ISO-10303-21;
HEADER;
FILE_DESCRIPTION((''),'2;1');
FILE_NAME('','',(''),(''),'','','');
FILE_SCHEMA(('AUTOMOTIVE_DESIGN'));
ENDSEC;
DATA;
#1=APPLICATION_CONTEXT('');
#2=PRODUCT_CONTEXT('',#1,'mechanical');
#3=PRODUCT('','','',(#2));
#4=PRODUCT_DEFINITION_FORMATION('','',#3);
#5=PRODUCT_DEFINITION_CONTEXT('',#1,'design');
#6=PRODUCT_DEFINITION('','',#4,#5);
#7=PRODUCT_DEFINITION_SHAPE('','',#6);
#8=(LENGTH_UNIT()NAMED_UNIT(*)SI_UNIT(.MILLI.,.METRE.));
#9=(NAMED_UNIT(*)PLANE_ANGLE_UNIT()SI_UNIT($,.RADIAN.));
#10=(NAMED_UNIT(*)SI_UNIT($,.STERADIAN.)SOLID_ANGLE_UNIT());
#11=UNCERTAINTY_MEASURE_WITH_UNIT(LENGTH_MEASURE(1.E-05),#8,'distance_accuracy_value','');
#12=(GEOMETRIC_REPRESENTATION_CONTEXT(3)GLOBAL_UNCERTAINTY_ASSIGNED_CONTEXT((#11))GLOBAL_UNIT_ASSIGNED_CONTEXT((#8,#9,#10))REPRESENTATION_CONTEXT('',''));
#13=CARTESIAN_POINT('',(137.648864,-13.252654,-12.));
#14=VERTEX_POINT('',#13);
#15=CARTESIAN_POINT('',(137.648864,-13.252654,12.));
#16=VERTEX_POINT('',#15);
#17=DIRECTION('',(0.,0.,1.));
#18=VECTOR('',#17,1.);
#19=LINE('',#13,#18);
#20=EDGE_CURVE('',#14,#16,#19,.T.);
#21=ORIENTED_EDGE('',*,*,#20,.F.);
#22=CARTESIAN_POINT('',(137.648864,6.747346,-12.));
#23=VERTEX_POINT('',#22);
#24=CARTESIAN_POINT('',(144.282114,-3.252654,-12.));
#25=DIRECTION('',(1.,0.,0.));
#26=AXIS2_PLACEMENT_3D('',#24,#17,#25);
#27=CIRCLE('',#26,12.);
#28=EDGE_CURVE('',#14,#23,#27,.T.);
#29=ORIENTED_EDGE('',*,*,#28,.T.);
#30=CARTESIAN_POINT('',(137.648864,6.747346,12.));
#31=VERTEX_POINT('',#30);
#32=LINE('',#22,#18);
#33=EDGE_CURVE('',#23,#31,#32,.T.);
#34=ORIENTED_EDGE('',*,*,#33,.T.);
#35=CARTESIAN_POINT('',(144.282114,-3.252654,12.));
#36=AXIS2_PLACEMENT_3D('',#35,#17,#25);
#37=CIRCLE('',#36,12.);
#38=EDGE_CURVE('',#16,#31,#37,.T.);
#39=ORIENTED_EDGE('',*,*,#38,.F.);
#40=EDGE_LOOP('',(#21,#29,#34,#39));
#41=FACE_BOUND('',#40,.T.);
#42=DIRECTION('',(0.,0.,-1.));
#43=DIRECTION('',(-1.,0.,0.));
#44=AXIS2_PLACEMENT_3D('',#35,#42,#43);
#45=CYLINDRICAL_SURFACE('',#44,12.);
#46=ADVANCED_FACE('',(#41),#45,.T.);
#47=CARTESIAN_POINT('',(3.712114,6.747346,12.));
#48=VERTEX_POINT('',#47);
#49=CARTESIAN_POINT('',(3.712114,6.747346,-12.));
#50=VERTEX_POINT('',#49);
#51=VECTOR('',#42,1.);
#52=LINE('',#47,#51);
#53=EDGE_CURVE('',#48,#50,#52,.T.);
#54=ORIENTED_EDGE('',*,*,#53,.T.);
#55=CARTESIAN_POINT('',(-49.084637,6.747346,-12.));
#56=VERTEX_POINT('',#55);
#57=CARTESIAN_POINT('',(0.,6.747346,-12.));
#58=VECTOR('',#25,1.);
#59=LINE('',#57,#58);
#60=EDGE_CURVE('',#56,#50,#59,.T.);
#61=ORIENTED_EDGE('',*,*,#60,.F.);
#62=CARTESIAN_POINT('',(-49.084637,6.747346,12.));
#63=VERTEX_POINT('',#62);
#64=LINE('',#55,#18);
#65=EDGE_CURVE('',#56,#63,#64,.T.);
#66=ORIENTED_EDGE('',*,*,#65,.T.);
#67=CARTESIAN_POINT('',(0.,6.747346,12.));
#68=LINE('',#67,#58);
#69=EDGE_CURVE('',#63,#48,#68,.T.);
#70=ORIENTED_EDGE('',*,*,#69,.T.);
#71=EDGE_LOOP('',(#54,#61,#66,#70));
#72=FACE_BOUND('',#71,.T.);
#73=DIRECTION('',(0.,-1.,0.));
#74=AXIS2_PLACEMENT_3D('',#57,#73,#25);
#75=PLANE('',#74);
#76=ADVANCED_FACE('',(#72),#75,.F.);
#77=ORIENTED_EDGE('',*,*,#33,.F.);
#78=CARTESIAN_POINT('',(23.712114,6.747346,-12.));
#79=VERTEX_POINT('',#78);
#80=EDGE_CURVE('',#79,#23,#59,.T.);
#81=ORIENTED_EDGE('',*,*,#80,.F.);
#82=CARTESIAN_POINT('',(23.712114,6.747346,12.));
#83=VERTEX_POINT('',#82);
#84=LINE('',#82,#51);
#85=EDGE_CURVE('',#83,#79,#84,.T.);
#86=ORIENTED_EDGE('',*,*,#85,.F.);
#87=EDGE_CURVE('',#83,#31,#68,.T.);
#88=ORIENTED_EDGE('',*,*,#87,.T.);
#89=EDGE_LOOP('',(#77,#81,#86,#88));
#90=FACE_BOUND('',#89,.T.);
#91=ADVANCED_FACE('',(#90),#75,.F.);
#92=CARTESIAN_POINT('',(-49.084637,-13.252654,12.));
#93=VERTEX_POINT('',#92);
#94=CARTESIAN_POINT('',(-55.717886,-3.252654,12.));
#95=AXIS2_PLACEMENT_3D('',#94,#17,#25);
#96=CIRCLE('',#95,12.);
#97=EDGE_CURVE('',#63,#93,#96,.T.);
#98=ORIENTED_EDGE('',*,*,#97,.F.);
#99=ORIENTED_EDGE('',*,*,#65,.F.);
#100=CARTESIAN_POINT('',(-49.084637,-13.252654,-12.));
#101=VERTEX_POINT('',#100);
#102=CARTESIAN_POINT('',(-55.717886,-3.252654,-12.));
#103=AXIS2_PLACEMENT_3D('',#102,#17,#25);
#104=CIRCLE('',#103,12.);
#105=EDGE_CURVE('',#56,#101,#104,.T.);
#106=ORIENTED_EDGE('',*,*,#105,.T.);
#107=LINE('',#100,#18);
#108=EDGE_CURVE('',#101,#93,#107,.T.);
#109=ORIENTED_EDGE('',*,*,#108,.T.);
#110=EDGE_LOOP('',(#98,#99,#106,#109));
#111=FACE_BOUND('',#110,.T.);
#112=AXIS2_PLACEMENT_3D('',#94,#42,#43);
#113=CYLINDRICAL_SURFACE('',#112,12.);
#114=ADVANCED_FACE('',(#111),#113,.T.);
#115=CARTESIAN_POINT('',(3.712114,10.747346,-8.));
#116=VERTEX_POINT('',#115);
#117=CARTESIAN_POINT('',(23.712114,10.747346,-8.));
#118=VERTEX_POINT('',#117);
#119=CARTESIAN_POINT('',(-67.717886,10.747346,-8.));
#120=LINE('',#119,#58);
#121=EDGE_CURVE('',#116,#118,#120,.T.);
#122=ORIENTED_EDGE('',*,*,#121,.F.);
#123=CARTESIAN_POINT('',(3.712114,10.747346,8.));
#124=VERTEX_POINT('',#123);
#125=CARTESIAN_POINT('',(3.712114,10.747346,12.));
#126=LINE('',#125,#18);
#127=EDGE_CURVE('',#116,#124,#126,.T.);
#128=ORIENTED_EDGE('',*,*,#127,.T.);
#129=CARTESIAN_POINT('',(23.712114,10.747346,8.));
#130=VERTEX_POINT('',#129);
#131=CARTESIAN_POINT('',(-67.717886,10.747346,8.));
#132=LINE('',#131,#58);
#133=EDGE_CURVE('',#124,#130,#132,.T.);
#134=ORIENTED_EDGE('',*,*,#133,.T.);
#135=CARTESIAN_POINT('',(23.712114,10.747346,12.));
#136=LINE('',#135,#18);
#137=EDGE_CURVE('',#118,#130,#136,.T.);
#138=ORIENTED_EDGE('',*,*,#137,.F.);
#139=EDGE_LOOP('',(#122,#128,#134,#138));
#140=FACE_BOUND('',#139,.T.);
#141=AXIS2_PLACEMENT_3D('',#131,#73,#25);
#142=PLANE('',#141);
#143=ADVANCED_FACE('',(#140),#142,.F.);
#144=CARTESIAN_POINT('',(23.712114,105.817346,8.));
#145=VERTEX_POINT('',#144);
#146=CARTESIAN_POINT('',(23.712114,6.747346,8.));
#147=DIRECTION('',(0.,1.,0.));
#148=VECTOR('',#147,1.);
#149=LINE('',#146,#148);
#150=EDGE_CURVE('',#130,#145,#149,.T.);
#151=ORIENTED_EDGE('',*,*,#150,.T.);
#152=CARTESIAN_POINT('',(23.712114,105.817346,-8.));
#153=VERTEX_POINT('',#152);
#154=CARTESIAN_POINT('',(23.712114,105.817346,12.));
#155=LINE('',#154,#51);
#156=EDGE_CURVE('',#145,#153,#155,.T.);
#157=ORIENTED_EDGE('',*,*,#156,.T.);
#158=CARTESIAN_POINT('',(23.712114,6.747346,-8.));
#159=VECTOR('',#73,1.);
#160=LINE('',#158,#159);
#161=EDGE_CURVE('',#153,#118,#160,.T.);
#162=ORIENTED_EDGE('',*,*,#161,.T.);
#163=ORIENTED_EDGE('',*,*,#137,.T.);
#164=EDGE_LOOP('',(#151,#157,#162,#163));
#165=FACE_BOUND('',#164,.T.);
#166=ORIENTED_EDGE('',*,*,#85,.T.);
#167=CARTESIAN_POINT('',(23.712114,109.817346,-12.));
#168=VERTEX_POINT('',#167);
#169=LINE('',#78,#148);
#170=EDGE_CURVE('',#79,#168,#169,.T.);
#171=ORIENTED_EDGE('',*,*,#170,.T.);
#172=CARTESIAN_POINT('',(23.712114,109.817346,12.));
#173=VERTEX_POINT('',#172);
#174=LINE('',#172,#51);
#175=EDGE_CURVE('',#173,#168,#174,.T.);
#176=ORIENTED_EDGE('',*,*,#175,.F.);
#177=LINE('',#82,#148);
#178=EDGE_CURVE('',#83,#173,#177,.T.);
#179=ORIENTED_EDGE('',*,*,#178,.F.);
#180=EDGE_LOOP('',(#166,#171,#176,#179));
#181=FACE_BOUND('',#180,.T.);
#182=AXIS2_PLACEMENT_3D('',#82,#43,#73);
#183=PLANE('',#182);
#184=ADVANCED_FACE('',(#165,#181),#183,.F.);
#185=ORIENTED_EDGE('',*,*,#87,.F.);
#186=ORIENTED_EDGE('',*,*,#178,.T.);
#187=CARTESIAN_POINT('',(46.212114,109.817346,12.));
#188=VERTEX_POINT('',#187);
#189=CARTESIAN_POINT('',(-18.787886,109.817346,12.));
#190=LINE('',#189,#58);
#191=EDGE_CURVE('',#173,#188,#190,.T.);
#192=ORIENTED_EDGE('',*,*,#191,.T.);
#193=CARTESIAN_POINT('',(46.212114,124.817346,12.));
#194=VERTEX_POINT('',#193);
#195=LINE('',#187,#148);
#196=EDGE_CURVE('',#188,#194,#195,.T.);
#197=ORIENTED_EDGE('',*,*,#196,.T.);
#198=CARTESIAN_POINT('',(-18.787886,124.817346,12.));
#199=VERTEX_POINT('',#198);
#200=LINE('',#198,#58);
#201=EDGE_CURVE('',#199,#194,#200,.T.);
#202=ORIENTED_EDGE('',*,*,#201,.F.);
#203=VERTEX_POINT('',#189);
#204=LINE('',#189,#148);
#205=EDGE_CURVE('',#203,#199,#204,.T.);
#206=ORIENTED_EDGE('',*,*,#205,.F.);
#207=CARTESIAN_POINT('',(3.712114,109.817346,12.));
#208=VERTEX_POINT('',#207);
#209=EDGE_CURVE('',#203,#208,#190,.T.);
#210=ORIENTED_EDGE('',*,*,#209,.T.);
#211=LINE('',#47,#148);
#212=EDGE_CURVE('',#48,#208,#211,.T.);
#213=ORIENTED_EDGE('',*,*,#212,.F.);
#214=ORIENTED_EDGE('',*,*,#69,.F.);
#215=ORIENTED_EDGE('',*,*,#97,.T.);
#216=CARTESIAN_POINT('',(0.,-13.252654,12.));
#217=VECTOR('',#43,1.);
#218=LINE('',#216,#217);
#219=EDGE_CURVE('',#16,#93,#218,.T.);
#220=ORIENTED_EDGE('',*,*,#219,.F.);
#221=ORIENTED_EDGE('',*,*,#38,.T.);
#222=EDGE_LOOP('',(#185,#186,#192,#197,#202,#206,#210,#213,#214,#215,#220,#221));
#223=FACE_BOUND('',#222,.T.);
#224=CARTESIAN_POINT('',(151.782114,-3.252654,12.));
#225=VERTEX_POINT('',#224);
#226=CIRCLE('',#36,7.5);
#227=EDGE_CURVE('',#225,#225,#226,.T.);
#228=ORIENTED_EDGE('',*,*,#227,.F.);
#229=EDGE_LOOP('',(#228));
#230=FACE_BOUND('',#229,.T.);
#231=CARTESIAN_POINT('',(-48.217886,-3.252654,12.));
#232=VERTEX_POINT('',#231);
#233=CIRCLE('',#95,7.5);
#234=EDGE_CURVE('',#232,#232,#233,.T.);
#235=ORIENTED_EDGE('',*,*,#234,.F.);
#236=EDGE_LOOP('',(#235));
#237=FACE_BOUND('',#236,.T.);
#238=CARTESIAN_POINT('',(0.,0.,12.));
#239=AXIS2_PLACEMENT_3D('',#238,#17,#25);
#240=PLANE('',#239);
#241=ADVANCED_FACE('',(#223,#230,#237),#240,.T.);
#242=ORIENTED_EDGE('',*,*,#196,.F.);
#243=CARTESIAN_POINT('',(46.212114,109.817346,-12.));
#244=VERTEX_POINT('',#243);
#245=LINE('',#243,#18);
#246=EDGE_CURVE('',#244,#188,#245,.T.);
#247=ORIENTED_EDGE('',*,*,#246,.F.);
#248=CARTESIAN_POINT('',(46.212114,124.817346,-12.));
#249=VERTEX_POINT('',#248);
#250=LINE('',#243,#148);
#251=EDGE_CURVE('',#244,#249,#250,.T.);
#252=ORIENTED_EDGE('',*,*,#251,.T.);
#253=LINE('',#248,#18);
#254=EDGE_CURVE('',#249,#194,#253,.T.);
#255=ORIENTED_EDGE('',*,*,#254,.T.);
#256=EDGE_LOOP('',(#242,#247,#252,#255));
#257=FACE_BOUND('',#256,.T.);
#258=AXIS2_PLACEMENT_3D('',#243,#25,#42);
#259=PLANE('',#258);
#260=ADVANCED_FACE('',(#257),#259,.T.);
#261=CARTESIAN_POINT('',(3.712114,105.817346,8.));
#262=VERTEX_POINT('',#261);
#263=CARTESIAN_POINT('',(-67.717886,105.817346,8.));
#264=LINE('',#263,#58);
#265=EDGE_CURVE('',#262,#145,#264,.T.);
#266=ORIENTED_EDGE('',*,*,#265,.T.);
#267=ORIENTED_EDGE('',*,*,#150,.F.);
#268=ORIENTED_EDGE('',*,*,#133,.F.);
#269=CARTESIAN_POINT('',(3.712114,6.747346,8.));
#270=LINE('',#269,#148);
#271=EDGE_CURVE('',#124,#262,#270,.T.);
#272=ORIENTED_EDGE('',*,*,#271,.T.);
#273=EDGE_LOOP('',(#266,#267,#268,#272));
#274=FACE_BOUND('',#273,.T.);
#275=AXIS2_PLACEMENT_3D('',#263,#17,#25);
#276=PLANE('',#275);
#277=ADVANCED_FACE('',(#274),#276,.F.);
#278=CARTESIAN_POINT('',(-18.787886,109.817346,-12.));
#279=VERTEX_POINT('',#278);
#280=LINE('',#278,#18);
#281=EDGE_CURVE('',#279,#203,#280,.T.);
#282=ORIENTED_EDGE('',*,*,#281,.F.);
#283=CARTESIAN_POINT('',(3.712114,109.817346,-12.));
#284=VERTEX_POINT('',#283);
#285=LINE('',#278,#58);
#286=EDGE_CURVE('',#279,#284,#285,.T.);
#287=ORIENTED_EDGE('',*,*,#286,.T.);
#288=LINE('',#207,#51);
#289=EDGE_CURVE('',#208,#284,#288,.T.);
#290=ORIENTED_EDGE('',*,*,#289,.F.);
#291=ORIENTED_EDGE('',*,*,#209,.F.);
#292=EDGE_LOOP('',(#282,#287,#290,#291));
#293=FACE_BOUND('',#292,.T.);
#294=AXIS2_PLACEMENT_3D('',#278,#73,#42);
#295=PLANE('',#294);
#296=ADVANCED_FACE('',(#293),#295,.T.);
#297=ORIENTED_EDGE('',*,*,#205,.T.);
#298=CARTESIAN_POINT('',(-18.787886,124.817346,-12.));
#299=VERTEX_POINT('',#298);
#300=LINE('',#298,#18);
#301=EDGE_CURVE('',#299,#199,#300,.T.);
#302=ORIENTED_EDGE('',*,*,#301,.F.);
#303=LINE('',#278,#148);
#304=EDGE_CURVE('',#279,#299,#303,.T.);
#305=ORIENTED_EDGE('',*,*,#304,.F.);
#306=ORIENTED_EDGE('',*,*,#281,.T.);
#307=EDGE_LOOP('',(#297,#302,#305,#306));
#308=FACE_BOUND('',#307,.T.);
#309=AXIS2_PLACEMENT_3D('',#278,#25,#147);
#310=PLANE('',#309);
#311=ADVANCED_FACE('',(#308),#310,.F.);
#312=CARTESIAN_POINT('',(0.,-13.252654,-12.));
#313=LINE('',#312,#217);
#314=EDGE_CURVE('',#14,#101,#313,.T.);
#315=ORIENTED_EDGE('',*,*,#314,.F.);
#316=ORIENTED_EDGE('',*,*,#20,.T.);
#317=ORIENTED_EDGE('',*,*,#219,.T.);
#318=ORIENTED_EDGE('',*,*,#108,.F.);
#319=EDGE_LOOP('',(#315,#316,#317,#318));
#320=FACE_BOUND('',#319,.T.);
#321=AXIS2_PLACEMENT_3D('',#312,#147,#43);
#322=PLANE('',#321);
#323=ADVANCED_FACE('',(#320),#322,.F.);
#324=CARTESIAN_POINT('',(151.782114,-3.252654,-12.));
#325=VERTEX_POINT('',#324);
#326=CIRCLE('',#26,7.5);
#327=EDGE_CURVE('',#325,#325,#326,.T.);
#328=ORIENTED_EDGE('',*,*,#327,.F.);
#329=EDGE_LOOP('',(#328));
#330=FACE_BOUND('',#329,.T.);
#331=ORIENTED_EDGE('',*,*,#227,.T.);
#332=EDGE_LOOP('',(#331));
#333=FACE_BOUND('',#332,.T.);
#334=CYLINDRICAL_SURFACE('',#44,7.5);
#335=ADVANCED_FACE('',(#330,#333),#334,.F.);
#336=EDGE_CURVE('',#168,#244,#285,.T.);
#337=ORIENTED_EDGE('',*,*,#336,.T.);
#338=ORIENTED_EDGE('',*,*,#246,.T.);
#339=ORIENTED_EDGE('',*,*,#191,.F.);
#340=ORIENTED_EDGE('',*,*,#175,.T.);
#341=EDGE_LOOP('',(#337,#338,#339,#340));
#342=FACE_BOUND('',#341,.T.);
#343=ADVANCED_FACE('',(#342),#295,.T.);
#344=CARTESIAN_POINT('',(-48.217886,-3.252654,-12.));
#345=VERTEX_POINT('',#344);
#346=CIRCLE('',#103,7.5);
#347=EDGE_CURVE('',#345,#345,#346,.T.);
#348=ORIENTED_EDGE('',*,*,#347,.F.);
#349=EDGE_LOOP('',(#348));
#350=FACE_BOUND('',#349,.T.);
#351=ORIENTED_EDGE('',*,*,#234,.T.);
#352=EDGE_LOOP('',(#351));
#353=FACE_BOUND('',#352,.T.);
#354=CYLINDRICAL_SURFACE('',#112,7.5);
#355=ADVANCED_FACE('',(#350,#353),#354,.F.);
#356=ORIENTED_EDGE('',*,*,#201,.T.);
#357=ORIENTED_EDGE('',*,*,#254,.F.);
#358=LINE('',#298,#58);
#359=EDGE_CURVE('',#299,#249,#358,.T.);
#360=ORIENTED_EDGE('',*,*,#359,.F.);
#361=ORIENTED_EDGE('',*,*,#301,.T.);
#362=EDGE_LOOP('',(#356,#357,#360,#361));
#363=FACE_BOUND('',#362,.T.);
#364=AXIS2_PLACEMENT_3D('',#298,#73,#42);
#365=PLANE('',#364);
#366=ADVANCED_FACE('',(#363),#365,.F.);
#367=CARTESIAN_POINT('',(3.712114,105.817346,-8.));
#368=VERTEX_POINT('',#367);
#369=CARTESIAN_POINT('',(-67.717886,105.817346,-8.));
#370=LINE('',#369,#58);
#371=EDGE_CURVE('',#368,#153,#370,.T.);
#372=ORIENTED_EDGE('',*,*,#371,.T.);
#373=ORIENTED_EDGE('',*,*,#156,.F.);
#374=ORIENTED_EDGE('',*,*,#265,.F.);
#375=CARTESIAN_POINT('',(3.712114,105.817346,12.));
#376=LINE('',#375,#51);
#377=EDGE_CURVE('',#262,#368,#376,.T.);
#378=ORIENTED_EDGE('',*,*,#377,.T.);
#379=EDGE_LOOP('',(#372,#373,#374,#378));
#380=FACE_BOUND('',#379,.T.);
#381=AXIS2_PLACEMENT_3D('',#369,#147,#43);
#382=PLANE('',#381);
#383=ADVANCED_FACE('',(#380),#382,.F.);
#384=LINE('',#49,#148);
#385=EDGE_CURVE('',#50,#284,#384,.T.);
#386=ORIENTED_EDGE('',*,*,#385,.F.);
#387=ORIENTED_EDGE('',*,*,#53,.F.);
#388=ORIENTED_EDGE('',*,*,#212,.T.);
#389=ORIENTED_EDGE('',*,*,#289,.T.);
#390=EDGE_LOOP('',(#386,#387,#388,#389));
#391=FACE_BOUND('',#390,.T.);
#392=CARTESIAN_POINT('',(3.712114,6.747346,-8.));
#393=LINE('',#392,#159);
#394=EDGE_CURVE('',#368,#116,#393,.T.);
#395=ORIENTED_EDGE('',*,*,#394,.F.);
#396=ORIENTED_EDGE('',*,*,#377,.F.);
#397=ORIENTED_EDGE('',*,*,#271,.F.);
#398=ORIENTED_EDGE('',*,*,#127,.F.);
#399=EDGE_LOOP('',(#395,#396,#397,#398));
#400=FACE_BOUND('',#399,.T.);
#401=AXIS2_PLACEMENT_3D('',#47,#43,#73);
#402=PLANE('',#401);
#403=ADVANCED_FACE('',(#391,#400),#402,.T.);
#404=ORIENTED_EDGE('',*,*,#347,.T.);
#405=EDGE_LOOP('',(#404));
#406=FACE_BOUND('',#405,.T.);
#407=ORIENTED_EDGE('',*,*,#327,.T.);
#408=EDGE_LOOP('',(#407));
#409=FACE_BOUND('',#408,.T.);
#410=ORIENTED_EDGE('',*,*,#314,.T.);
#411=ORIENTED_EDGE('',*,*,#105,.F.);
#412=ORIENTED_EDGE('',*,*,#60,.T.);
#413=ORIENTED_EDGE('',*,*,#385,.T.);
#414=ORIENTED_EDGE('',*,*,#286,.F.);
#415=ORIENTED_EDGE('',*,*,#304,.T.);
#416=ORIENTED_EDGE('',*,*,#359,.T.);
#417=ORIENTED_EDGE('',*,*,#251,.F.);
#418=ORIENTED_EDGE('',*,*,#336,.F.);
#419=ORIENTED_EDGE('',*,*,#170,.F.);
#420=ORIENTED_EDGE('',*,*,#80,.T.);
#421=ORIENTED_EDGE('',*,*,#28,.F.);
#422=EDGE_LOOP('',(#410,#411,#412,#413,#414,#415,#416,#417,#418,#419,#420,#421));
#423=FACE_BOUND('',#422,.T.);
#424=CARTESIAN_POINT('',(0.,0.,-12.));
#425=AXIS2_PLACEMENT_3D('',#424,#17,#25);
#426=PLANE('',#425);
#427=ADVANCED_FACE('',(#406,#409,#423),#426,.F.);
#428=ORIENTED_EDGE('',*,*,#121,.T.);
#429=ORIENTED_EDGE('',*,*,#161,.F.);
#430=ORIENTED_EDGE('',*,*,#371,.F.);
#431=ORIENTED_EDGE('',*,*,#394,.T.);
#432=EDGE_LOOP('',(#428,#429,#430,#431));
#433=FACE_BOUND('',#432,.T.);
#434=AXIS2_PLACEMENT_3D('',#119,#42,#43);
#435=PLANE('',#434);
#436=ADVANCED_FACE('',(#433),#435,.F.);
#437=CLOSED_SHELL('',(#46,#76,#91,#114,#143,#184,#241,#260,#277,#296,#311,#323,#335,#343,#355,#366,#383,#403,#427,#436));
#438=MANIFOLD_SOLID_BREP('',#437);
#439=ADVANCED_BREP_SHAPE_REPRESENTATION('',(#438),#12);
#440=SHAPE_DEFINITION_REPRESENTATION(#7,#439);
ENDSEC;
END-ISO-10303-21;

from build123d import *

# Parameters (mm, degrees)
BOSS_EXTRUDE1_DEPTH      = 12
BOSS_EXTRUDE1_DEPTH_BACK = 12
SKETCH1_R                = 7.5
CUT_EXTRUDE1_DEPTH       = 183.477874792
CUT_EXTRUDE1_DEPTH_BACK  = 183.477874792
SKETCH2_W                = 16
SKETCH2_H                = 95.07


with BuildPart() as part:
    # Sketch1 → Boss-Extrude1 (new, two sides: drawn at the far end of the back side and taken through both)
    with BuildSketch(Plane.XY.offset(-BOSS_EXTRUDE1_DEPTH_BACK)):
        with BuildLine():
            ThreePointArc((-49.084636864, 6.747346105), (-67.717886444, -3.252653895), (-49.084636864, -13.252653895))
            Line((-49.084636864, -13.252653895), (137.648863975, -13.252653895))
            ThreePointArc((137.648863975, -13.252653895), (156.282113556, -3.252653895), (137.648863975, 6.747346105))
            Line((137.648863975, 6.747346105), (23.712113556, 6.747346105))
            Line((23.712113556, 6.747346105), (23.712113556, 109.817346105))
            Line((23.712113556, 109.817346105), (46.212113556, 109.817346105))
            Line((46.212113556, 109.817346105), (46.212113556, 124.817346105))
            Line((46.212113556, 124.817346105), (-18.787886444, 124.817346105))
            Line((-18.787886444, 124.817346105), (-18.787886444, 109.817346105))
            Line((-18.787886444, 109.817346105), (3.712113556, 109.817346105))
            Line((3.712113556, 109.817346105), (3.712113556, 6.747346105))
            Line((3.712113556, 6.747346105), (-49.084636864, 6.747346105))
        make_face()
        with Locations((-55.717886444, -3.252653895)):
            Circle(SKETCH1_R, mode=Mode.SUBTRACT)
        with Locations((144.282113556, -3.252653895)):
            Circle(SKETCH1_R, mode=Mode.SUBTRACT)
    extrude(amount=BOSS_EXTRUDE1_DEPTH + BOSS_EXTRUDE1_DEPTH_BACK)

    # Sketch2 → Cut-Extrude1 (cut, two sides: drawn at the far end of the back side and taken through both)
    with BuildSketch(Plane(origin=(23.712113556, 0, 0), x_dir=(0, 0, -1), z_dir=(1, 0, 0)).offset(-CUT_EXTRUDE1_DEPTH_BACK)):
        with Locations((0, 58.282346105)):
            Rectangle(SKETCH2_W, SKETCH2_H)
    extrude(amount=CUT_EXTRUDE1_DEPTH + CUT_EXTRUDE1_DEPTH_BACK, mode=Mode.SUBTRACT)


solid = part.part
